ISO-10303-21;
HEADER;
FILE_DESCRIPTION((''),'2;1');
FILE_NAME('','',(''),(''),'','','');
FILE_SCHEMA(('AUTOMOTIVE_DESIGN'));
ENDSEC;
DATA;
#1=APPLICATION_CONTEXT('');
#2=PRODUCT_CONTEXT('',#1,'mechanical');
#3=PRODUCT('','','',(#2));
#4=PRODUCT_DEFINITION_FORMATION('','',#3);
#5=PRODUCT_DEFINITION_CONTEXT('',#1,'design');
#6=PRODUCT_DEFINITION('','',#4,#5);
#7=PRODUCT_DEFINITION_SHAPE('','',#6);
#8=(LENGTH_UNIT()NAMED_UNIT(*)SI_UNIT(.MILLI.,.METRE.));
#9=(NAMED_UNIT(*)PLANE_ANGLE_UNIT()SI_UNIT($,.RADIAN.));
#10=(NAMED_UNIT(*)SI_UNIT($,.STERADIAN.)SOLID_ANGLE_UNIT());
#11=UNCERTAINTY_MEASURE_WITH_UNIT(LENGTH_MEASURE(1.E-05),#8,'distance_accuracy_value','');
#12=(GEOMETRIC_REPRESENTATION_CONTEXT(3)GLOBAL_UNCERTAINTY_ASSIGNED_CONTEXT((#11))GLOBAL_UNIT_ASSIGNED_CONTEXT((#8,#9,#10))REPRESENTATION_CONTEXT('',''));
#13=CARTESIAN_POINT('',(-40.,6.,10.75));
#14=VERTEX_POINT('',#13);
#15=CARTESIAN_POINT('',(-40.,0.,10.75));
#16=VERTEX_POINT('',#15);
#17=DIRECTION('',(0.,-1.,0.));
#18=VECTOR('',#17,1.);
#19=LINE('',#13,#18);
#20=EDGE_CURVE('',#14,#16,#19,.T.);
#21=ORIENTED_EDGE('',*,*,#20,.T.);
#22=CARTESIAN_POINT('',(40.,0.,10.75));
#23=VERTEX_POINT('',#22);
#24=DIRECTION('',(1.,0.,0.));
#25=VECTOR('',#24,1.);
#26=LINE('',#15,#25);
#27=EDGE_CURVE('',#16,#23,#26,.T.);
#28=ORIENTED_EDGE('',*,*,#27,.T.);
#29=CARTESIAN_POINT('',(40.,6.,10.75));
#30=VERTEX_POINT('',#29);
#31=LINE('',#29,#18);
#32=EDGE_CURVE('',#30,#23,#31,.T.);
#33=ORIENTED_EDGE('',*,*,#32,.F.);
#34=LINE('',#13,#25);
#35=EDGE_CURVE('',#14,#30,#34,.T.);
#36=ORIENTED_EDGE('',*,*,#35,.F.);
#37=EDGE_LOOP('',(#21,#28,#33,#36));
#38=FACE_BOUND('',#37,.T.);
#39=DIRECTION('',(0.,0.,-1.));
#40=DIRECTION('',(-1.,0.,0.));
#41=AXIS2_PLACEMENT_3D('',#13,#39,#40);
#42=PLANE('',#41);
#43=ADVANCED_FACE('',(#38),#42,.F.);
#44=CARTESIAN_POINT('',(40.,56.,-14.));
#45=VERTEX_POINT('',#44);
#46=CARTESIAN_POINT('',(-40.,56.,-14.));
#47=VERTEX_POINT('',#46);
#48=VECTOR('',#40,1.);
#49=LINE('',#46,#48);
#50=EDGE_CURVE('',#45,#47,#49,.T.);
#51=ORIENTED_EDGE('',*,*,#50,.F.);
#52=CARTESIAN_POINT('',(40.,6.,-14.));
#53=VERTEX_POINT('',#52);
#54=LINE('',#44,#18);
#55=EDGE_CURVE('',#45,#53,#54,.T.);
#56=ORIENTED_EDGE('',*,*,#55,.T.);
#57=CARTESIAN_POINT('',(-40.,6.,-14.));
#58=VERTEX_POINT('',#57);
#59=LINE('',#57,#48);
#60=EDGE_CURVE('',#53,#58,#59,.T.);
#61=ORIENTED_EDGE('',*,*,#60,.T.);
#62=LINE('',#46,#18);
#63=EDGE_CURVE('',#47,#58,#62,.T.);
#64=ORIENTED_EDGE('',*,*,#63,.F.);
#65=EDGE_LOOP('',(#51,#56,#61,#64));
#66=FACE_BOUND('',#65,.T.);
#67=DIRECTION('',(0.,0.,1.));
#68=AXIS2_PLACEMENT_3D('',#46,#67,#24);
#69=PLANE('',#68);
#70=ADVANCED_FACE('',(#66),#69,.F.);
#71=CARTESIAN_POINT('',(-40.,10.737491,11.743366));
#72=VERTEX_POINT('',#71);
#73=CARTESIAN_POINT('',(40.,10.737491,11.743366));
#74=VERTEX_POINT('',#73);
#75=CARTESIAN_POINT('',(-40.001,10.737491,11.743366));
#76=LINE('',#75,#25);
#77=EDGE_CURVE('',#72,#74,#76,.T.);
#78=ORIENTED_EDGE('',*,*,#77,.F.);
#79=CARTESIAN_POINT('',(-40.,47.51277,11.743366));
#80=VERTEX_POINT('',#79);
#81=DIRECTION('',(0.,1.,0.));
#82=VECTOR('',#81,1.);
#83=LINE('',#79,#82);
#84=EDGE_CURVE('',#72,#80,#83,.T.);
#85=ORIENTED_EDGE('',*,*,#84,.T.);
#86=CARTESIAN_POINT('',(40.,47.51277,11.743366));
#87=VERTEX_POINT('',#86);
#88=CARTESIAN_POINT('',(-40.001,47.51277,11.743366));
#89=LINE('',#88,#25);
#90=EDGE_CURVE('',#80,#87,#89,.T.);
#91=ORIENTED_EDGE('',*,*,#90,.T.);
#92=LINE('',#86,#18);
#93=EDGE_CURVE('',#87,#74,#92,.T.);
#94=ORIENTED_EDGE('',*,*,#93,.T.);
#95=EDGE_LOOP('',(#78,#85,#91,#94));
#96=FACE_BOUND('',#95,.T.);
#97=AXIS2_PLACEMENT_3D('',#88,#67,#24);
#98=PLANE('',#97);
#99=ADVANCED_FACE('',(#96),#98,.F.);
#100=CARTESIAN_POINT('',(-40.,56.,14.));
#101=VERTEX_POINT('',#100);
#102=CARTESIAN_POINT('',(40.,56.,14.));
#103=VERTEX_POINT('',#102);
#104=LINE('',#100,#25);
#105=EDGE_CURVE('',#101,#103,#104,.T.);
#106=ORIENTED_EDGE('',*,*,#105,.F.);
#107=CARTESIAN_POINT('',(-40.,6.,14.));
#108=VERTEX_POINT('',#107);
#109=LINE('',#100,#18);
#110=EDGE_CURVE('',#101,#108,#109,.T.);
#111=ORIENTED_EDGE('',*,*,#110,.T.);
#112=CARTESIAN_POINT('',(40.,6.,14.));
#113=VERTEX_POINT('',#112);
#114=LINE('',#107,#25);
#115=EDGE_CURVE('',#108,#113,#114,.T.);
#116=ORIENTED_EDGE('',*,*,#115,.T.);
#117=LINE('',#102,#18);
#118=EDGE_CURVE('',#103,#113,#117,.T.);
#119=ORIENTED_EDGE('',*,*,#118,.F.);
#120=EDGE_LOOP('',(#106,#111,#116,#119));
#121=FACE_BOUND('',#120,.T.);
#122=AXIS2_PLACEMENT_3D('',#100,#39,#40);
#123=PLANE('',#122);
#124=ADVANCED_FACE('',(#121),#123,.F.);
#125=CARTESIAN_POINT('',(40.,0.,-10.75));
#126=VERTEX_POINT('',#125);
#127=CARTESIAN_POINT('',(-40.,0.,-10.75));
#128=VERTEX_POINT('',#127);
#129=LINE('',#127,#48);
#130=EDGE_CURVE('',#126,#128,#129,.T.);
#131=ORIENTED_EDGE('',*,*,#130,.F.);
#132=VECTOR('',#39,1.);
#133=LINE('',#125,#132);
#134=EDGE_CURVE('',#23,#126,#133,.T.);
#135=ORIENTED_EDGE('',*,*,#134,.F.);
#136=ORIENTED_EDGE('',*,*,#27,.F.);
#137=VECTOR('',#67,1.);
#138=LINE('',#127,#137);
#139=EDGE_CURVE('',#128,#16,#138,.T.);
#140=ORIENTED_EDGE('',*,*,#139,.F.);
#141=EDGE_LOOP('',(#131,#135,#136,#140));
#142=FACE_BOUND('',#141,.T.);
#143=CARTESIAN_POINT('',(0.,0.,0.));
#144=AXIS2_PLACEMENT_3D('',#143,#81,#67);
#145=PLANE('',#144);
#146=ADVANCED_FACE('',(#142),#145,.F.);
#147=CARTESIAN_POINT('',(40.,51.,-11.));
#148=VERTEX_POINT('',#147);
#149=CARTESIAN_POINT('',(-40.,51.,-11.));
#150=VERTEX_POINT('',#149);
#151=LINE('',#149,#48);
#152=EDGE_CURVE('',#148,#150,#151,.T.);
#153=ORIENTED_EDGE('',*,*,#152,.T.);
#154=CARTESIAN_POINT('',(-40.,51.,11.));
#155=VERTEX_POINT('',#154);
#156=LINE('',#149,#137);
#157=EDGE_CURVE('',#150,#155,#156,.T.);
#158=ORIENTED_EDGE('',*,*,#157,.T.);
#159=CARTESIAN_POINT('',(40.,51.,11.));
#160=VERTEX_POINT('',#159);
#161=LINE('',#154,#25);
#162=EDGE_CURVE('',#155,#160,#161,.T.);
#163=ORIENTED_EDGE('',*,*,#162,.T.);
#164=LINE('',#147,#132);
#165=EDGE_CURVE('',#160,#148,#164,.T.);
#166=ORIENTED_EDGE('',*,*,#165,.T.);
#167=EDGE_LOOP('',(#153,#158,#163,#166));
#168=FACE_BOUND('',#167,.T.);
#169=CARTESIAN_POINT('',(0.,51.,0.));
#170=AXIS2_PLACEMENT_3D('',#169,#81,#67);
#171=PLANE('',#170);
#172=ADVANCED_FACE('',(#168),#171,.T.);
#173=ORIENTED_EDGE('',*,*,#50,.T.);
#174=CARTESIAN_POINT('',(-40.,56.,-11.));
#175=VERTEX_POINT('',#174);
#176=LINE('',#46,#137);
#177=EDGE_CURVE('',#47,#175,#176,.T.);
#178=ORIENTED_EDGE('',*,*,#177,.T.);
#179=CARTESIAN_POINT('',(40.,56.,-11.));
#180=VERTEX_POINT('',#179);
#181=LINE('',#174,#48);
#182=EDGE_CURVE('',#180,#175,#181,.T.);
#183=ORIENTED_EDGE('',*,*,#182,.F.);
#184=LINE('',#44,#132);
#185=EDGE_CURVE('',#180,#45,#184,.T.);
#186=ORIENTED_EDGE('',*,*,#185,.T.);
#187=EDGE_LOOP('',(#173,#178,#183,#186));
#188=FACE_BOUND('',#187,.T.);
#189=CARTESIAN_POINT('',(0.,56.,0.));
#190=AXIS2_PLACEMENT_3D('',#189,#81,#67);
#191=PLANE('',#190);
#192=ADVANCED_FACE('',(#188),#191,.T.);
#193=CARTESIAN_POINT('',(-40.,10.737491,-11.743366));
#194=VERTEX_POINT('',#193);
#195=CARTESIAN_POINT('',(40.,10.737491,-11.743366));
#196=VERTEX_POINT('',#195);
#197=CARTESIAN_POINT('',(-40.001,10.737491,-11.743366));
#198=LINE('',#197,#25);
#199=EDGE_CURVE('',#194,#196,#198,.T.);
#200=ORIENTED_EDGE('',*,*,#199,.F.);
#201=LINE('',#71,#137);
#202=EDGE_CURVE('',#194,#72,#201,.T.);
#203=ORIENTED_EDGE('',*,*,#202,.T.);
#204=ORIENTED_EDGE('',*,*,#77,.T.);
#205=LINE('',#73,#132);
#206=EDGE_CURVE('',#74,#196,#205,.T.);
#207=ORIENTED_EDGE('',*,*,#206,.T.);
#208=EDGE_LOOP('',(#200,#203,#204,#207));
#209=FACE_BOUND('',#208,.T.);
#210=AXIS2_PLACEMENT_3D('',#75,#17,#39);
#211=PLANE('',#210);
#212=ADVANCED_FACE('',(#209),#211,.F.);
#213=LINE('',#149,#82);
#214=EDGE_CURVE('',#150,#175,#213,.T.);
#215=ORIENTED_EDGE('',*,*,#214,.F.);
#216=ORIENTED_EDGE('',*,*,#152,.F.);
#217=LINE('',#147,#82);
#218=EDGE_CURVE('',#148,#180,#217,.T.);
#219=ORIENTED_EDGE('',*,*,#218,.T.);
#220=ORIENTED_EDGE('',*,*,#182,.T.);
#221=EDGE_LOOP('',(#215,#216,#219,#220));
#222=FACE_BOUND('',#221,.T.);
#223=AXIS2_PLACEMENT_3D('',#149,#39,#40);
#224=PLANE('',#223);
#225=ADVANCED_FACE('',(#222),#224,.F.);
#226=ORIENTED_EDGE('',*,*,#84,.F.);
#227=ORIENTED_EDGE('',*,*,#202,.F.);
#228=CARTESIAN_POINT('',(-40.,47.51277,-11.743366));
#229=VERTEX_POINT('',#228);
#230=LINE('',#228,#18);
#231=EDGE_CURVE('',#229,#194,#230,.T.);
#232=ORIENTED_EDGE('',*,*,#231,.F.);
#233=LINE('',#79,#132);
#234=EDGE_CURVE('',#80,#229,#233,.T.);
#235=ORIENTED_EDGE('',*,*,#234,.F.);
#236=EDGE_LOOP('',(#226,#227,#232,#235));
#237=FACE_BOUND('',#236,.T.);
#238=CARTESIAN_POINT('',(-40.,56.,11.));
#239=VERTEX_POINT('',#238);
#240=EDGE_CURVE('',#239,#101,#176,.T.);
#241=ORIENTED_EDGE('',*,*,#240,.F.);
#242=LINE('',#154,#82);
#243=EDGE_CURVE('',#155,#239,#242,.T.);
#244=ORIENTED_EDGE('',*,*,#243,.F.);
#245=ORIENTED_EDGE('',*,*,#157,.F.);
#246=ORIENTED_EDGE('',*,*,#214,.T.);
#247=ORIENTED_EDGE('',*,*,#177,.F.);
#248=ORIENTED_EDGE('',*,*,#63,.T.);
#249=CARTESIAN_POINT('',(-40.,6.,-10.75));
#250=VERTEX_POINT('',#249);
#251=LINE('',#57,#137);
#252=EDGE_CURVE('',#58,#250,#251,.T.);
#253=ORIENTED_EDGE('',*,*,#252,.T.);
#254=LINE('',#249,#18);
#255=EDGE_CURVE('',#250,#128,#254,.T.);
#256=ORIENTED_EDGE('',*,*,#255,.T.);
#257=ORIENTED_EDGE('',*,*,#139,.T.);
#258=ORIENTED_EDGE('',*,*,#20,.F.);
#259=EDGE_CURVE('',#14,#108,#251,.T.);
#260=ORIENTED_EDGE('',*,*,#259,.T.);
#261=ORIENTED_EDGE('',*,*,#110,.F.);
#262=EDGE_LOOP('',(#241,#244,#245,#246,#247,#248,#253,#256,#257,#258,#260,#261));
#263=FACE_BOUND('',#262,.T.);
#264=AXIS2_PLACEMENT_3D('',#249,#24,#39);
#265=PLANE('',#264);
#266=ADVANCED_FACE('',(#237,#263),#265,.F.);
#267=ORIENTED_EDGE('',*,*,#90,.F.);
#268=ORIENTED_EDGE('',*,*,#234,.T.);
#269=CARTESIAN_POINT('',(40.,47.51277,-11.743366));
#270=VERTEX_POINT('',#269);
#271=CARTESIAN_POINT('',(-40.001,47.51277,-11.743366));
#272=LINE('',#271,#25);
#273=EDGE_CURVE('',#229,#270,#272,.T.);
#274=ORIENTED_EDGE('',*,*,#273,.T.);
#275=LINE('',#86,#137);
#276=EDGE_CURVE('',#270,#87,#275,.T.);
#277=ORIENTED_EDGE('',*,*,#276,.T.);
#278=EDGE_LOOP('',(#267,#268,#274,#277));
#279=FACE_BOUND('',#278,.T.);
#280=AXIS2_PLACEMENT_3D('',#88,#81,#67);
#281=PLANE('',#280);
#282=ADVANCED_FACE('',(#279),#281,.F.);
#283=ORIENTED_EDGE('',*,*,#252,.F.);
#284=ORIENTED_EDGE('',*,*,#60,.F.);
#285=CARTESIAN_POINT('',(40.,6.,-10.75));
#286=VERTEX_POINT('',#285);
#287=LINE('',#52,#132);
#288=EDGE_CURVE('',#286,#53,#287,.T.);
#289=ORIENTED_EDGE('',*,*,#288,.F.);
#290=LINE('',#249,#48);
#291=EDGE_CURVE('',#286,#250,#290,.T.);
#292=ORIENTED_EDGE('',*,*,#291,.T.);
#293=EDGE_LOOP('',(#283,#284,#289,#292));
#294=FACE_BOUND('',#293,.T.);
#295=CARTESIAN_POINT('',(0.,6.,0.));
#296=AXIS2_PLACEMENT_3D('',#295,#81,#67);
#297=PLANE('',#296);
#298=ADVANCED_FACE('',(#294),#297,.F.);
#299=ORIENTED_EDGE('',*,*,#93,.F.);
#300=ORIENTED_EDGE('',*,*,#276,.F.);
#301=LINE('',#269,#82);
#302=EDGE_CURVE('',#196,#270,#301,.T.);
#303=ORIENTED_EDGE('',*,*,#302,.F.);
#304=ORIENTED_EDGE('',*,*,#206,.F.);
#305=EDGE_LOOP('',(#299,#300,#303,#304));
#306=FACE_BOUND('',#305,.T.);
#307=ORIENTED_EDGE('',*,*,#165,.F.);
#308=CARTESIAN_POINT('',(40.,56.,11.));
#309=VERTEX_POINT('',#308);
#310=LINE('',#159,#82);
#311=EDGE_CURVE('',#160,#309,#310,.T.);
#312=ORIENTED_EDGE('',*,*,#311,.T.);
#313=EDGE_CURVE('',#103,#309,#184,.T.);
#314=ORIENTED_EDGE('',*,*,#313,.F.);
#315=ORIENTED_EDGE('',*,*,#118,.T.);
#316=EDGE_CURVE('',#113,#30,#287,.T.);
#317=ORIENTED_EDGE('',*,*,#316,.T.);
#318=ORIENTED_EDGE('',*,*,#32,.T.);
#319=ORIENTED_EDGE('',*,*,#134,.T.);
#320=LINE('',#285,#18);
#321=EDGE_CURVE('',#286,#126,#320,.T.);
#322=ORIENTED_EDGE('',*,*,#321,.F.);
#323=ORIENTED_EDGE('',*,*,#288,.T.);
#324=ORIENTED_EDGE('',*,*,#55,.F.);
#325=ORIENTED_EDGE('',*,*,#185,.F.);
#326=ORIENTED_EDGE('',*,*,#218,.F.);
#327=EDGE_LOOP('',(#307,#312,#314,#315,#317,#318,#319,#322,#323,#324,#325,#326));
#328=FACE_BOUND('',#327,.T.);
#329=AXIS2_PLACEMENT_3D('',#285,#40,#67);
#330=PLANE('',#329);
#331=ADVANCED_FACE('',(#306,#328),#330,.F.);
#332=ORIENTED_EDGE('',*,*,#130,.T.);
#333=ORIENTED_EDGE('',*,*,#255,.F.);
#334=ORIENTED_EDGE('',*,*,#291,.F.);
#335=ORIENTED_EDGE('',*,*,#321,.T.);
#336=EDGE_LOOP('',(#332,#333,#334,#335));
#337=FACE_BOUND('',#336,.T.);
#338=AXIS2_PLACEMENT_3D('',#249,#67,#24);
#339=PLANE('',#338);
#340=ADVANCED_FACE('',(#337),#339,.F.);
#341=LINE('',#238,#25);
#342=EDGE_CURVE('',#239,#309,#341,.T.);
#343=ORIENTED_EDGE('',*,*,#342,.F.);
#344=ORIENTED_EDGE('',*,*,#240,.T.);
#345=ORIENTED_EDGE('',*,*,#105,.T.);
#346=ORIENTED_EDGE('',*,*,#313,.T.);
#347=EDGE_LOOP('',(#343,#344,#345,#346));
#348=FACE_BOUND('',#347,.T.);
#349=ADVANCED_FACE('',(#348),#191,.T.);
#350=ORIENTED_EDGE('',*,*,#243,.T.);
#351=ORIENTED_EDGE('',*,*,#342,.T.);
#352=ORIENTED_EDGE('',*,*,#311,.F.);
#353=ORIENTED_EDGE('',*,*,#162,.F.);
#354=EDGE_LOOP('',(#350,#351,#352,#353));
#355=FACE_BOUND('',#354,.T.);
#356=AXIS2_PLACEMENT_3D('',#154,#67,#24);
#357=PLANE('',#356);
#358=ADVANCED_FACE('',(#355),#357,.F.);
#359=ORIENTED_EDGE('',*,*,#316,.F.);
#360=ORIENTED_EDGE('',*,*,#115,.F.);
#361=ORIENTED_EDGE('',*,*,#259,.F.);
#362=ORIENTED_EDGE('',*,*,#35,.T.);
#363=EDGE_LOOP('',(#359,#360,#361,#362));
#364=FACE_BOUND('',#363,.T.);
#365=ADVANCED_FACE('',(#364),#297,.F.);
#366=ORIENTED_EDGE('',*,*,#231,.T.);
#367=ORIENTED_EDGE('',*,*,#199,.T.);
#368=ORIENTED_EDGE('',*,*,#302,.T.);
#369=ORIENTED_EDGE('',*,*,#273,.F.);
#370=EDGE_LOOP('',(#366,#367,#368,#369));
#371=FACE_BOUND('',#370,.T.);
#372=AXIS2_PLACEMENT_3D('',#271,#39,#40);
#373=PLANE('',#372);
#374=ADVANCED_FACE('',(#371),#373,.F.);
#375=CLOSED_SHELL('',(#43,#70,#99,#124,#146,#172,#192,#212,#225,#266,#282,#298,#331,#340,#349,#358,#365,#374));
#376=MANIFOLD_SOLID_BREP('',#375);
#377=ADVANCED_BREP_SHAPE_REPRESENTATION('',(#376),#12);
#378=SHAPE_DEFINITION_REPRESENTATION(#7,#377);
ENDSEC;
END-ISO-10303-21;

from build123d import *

# Parameters (mm, degrees)
SKETCH1_W           = 80
SKETCH1_H           = 21.5
BOSS_EXTRUDE1_DEPTH = 6
SKETCH2_W           = 80
SKETCH2_H           = 28
BOSS_EXTRUDE2_DEPTH = 50
SKETCH3_W           = 80
SKETCH3_H           = 22
CUT_EXTRUDE1_DEPTH  = 5
CUT_EXTRUDE2_REACH  = 100.651
SKETCH4_W           = 23.48673248
SKETCH4_H           = 36.775278488


with BuildPart() as part:
    # Sketch1 → Boss-Extrude1 (new body)
    with BuildSketch(Plane(origin=(0, 0, 0), x_dir=(1, 0, 0), z_dir=(0, 1, 0))):
        Rectangle(SKETCH1_W, SKETCH1_H)
    extrude(amount=BOSS_EXTRUDE1_DEPTH)

    # Sketch2 → Boss-Extrude2 (add)
    with BuildSketch(Plane(origin=(0, 6, 0), x_dir=(1, 0, 0), z_dir=(0, 1, 0))):
        Rectangle(SKETCH2_W, SKETCH2_H)
    extrude(amount=BOSS_EXTRUDE2_DEPTH)

    # Sketch3 → Cut-Extrude1 (cut)
    with BuildSketch(Plane(origin=(0, 56, 0), x_dir=(1, 0, 0), z_dir=(0, 1, 0))):
        Rectangle(SKETCH3_W, SKETCH3_H)
    extrude(amount=-CUT_EXTRUDE1_DEPTH, mode=Mode.SUBTRACT)

    # Sketch4 → Cut-Extrude2 (cut, up to next)
    with BuildSketch(Plane(origin=(40, 0, 0), x_dir=(0, 0, -1), z_dir=(1, 0, 0)), mode=Mode.PRIVATE) as cut_extrude2_sk1:
        with Locations((0, 29.125130658)):
            Rectangle(SKETCH4_W, SKETCH4_H)
    cut_extrude2_tool1 = extrude(cut_extrude2_sk1.sketch, amount=-CUT_EXTRUDE2_REACH, mode=Mode.PRIVATE) & part.part
    add(cut_extrude2_tool1.solids().sort_by_distance((40, 29.125131, 0))[0], mode=Mode.SUBTRACT)


solid = part.part
